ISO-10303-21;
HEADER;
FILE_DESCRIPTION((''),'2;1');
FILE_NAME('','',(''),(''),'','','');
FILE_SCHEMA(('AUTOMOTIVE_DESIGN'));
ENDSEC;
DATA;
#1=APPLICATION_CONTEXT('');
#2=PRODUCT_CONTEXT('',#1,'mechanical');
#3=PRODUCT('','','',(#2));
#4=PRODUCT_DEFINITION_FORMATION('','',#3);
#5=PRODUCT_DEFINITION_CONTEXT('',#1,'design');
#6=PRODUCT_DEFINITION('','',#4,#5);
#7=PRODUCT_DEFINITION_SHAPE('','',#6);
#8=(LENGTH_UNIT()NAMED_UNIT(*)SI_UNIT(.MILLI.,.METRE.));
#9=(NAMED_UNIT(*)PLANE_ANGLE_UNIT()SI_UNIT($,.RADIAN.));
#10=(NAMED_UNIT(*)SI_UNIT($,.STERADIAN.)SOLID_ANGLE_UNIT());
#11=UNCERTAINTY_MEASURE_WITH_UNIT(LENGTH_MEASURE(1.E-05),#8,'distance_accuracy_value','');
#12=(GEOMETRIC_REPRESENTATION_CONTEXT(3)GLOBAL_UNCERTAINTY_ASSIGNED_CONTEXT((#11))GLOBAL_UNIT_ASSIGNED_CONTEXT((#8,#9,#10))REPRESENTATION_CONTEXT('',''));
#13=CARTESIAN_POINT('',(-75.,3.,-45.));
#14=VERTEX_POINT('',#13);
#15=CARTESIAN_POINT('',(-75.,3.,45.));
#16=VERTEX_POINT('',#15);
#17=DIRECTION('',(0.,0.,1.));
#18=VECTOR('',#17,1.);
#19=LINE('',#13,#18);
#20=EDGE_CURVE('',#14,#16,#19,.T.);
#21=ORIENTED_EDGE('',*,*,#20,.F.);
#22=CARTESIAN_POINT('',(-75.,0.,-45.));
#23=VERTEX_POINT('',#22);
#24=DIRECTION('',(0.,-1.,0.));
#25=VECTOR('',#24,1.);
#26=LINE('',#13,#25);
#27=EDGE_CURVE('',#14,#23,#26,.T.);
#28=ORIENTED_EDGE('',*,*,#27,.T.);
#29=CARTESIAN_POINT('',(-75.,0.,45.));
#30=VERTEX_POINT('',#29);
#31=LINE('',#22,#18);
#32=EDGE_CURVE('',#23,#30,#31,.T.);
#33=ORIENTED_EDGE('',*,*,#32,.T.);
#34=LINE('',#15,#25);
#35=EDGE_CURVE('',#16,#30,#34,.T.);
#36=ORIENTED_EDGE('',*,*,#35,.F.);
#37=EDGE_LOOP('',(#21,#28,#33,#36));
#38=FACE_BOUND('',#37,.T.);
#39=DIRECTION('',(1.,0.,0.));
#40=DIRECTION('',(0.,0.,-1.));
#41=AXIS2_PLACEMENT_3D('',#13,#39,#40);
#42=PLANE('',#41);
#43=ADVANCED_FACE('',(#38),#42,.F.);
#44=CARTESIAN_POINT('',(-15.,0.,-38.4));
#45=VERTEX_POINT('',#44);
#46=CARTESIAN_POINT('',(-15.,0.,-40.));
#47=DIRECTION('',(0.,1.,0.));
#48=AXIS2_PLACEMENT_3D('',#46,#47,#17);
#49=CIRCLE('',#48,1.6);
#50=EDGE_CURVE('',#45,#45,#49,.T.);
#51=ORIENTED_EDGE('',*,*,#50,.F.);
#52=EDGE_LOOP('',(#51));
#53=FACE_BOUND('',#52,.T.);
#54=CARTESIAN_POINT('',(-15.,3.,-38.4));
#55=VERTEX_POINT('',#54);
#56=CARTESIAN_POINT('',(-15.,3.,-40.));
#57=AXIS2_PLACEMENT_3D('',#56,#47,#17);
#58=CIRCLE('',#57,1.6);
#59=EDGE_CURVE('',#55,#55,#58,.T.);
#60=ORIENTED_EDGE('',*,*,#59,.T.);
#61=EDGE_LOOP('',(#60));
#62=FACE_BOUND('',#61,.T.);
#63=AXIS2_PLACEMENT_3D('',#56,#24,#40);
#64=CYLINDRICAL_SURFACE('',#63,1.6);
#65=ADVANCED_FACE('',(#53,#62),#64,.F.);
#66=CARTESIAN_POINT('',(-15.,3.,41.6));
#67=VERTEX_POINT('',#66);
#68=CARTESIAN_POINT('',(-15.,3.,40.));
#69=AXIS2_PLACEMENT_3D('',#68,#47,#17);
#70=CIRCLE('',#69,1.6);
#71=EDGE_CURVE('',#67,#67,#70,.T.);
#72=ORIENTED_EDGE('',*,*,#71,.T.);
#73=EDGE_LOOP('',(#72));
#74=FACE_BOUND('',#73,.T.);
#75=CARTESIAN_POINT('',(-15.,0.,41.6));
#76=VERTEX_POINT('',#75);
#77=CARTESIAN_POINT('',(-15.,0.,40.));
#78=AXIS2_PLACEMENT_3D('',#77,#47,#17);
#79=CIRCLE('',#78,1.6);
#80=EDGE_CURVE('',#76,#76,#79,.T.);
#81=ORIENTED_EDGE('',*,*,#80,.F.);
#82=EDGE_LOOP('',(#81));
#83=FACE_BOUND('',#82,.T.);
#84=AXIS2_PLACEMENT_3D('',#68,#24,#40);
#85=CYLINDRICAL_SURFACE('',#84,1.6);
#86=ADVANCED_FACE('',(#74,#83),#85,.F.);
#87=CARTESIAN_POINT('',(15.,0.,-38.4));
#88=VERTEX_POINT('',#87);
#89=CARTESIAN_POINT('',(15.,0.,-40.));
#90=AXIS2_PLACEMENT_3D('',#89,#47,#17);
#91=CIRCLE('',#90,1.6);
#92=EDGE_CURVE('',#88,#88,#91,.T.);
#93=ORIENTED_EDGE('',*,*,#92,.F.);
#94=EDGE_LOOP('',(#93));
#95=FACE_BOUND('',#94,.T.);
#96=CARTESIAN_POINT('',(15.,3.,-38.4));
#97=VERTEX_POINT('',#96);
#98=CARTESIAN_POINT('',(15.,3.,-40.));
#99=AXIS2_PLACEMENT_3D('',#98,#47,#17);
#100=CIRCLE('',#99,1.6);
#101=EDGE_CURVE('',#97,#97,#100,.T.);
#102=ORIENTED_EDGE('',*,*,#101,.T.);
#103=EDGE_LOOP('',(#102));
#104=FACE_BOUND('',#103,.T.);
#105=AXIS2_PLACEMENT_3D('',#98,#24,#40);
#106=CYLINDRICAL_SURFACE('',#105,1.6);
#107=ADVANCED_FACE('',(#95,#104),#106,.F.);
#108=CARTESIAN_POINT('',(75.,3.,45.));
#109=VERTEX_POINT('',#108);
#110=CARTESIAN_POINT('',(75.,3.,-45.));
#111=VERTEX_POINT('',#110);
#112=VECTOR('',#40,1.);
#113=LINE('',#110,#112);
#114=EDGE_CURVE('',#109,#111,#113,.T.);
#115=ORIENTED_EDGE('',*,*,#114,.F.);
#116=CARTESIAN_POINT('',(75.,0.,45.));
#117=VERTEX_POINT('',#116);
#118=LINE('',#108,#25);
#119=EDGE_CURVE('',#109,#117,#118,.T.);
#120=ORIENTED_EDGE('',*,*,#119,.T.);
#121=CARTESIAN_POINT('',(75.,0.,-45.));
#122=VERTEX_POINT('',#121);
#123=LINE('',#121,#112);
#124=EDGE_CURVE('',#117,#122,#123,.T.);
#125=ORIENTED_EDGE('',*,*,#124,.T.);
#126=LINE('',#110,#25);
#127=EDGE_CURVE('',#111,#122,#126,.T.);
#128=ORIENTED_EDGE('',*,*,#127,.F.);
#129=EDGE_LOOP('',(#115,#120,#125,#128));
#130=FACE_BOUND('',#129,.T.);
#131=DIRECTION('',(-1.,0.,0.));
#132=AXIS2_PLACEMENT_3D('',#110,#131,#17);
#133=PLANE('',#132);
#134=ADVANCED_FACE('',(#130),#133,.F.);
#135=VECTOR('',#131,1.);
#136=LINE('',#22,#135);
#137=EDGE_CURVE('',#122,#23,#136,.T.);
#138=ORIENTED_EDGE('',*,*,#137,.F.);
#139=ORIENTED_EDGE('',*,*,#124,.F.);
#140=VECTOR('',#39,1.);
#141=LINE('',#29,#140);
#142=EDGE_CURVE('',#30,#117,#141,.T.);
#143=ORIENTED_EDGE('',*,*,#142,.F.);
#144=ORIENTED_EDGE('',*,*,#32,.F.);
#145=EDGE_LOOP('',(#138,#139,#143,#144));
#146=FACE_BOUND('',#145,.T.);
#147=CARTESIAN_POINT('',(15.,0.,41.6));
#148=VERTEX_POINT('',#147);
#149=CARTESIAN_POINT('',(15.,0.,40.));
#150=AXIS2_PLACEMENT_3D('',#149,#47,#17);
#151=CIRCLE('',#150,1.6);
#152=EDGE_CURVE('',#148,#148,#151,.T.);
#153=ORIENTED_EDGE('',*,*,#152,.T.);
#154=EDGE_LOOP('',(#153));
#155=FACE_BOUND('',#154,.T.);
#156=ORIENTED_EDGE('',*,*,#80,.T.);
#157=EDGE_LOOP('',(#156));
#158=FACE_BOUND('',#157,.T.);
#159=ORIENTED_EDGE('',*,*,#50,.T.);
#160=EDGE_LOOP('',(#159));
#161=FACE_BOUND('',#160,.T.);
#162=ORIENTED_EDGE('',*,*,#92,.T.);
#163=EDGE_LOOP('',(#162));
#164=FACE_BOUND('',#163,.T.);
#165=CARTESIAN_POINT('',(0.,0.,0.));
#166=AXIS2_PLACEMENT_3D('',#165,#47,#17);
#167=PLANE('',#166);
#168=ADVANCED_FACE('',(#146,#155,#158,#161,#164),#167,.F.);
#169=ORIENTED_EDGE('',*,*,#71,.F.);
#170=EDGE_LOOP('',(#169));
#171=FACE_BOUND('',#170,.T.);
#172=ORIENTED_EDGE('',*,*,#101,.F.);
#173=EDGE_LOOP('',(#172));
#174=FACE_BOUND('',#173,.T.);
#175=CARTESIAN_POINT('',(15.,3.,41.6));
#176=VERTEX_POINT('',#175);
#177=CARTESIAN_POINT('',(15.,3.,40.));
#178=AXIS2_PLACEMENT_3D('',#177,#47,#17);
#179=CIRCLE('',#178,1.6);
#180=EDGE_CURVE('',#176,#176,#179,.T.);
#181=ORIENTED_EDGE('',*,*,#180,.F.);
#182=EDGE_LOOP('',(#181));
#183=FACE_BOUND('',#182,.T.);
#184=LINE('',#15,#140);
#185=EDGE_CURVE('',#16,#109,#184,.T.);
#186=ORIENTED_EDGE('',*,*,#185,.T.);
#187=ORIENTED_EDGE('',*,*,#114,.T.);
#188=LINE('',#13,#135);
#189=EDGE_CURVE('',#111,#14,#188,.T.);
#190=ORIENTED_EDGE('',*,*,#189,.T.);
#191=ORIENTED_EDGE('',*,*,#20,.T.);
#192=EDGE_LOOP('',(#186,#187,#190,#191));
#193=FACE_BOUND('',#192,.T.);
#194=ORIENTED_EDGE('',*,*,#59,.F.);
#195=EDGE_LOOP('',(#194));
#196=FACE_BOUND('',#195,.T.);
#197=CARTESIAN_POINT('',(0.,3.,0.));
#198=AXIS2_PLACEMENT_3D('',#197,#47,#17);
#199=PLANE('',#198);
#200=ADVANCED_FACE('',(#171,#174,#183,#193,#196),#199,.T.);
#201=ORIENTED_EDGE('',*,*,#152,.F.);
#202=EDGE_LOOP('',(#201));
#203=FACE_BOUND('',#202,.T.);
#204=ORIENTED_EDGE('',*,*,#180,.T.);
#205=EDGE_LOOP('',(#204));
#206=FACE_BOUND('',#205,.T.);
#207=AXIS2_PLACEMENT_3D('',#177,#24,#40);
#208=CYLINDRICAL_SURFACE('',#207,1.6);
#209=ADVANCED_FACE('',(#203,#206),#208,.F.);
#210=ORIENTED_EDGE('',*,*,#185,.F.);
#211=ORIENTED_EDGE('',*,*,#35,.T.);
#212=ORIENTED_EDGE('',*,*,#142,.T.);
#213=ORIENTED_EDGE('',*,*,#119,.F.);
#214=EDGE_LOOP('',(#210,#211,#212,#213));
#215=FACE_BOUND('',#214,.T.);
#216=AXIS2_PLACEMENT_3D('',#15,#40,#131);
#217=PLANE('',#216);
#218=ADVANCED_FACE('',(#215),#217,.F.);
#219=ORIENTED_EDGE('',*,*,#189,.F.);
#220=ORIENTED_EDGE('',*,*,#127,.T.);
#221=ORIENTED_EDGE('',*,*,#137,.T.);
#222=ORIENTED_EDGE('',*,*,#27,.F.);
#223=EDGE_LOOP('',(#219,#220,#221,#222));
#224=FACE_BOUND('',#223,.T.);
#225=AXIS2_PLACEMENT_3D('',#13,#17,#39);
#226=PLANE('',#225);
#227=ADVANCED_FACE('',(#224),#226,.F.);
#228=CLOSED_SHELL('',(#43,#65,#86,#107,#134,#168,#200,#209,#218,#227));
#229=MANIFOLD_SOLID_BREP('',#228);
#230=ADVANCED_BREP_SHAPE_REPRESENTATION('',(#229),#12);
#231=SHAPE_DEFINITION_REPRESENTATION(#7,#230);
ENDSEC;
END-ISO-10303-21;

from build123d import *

# Parameters (mm, degrees)
SKETCH1_W           = 150
SKETCH1_H           = 90
SKETCH1_R           = 1.6
BOSS_EXTRUDE1_DEPTH = 3


with BuildPart() as part:
    # Sketch1 → Boss-Extrude1 (new body)
    with BuildSketch(Plane(origin=(0, 0, 0), x_dir=(1, 0, 0), z_dir=(0, 1, 0))):
        Rectangle(SKETCH1_W, SKETCH1_H)
        with Locations((15, -40)):
            Circle(SKETCH1_R, mode=Mode.SUBTRACT)
        with Locations((-15, 40)):
            Circle(SKETCH1_R, mode=Mode.SUBTRACT)
        with Locations((-15, -40)):
            Circle(SKETCH1_R, mode=Mode.SUBTRACT)
        with Locations((15, 40)):
            Circle(SKETCH1_R, mode=Mode.SUBTRACT)
    extrude(amount=BOSS_EXTRUDE1_DEPTH)


solid = part.part
